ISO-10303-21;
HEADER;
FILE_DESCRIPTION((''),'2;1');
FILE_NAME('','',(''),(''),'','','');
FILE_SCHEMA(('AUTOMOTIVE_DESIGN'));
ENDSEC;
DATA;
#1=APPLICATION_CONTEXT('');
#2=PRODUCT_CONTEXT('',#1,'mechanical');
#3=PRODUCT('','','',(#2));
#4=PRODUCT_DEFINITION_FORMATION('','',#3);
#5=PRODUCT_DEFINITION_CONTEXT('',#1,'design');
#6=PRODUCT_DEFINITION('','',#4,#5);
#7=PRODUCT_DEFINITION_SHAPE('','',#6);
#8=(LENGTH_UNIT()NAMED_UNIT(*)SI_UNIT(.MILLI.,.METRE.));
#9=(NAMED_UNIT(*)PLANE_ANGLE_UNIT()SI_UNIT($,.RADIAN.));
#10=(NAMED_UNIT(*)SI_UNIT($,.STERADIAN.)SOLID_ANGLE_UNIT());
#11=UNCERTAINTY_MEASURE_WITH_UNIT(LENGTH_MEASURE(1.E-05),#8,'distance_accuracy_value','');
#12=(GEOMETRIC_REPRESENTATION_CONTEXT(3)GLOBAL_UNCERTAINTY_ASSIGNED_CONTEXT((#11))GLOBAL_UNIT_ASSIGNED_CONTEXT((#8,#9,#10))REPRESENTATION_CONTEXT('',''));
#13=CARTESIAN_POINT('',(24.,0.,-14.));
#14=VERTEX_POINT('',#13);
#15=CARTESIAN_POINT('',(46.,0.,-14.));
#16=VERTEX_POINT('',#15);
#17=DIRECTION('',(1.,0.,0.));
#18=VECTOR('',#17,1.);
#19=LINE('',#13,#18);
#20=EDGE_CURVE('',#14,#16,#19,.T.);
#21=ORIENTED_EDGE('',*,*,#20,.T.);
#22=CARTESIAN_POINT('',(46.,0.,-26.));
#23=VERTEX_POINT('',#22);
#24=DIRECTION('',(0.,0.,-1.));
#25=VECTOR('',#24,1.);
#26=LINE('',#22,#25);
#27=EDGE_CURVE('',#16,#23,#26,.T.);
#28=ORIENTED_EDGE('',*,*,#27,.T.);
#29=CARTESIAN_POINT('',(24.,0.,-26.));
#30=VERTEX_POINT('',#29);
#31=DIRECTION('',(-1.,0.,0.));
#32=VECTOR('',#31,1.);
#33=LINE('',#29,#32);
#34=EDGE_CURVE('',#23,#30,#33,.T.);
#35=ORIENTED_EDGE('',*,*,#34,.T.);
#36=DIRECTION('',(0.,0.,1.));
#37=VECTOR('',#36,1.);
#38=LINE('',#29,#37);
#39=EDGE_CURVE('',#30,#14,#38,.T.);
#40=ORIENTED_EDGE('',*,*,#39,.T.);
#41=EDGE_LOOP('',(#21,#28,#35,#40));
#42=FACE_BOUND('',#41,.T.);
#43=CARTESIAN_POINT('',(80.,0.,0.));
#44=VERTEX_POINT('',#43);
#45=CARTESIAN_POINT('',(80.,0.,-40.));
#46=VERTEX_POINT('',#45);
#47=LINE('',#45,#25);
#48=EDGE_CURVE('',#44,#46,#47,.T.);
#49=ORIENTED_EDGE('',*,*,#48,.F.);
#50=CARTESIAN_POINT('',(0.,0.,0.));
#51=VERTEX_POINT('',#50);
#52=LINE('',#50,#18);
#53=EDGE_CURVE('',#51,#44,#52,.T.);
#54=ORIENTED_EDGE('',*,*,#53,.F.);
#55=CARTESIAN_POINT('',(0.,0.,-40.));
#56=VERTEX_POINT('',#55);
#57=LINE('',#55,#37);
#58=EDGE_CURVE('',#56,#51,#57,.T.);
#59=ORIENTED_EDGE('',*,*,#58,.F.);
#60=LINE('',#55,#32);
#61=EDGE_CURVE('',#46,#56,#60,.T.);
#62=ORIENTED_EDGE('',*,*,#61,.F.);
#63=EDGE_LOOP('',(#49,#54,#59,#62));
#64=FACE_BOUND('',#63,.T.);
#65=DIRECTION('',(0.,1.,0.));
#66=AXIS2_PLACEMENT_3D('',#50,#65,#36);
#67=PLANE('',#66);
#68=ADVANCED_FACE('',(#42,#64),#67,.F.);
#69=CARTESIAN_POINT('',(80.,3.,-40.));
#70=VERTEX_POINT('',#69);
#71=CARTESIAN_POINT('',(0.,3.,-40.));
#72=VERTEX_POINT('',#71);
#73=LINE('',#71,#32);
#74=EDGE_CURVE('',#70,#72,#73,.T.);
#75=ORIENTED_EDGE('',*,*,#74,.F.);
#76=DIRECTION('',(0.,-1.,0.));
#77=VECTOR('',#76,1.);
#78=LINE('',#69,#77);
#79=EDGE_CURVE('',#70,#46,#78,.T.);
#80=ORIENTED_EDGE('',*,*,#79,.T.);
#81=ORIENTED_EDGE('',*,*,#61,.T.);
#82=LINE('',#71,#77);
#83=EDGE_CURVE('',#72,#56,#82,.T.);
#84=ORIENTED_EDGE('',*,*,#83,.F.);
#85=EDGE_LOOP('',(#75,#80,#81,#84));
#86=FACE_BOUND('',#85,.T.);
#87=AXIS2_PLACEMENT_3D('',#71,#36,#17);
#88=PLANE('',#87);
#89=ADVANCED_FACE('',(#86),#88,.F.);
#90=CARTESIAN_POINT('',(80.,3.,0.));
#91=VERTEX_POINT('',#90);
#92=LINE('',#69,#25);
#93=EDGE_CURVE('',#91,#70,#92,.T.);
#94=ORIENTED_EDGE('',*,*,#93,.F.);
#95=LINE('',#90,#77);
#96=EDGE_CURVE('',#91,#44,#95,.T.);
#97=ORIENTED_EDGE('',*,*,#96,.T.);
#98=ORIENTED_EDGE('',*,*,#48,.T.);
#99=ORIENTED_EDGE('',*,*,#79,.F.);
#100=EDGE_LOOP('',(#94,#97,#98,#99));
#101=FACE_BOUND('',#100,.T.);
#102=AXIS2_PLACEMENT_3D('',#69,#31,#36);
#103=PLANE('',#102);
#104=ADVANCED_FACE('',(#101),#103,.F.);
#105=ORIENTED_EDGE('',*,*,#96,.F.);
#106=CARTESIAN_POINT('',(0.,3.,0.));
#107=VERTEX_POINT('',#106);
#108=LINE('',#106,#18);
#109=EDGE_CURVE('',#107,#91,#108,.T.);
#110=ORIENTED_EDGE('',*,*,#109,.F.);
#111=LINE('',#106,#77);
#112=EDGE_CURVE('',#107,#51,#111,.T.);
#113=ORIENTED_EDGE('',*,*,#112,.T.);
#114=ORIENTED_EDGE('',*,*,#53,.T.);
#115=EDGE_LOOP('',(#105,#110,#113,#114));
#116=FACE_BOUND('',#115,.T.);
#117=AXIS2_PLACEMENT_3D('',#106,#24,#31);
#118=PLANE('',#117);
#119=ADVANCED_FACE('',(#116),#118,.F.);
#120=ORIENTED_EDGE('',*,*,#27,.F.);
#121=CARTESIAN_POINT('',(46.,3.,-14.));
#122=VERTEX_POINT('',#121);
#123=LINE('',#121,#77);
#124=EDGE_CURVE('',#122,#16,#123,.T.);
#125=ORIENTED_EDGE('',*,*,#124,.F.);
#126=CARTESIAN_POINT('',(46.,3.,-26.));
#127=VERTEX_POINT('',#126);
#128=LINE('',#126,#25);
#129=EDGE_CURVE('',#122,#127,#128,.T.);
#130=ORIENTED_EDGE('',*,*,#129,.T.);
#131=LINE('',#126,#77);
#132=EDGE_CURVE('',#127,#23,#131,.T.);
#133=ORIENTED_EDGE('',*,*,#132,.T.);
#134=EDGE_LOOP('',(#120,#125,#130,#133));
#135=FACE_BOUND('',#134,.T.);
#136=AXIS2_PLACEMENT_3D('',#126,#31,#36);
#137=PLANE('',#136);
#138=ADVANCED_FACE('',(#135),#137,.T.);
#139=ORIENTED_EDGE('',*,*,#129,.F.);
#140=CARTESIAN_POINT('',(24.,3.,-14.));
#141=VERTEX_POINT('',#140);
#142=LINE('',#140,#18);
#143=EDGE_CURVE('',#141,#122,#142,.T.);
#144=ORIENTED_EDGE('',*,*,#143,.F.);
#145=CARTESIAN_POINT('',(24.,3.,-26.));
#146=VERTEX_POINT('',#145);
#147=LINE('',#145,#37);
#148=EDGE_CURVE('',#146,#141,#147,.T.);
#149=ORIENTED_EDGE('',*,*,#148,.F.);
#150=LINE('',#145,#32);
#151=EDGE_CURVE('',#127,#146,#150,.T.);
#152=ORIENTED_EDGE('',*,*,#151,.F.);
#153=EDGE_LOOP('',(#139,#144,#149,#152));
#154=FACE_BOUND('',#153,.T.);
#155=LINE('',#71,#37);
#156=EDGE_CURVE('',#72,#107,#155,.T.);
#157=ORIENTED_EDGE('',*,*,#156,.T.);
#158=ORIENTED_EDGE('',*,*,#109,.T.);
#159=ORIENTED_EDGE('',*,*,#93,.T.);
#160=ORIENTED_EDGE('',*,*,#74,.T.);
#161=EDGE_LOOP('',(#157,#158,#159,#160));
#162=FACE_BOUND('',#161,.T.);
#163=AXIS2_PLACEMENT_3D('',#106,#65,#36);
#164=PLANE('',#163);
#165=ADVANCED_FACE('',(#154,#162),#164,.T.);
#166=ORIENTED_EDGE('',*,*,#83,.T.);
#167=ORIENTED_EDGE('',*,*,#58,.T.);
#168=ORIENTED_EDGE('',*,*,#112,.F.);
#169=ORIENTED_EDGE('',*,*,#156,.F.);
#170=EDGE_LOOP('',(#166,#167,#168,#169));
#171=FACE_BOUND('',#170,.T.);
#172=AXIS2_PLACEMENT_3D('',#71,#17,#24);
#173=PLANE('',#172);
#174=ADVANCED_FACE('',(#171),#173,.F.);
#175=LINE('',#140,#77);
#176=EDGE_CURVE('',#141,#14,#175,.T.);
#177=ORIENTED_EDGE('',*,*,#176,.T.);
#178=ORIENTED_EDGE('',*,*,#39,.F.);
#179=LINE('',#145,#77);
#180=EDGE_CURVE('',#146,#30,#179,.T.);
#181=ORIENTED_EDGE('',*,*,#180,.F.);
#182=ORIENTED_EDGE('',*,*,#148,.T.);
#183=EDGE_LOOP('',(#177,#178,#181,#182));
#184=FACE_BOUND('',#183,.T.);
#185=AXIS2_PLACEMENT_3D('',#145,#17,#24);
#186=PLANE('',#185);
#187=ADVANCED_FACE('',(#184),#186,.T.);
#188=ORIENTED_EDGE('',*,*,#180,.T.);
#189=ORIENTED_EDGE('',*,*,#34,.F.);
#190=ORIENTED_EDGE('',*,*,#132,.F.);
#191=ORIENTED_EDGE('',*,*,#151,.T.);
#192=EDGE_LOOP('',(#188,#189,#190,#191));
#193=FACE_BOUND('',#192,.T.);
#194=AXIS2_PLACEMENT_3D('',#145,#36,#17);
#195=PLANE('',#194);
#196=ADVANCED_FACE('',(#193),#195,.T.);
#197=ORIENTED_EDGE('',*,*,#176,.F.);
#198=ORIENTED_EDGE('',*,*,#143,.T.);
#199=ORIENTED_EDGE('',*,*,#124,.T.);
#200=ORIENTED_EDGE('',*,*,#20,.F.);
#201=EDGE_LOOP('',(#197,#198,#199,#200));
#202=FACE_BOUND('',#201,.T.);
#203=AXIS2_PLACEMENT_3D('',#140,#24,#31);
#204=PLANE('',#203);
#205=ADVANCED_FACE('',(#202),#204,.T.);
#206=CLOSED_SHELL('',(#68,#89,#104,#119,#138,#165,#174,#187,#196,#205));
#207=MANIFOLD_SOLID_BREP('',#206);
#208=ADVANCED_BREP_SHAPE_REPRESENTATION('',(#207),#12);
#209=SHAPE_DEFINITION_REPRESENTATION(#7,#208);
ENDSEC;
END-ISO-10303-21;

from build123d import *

# Parameters (mm, degrees)
SKETCH1_W           = 80
SKETCH1_H           = 40
SKETCH1_W_2         = 22
SKETCH1_H_2         = 12
BOSS_EXTRUDE1_DEPTH = 3


with BuildPart() as part:
    # Sketch1 → Boss-Extrude1 (new body)
    with BuildSketch(Plane(origin=(0, 0, 0), x_dir=(1, 0, 0), z_dir=(0, 1, 0))):
        with Locations((40, 20)):
            Rectangle(SKETCH1_W, SKETCH1_H)
        with Locations((35, 20)):
            Rectangle(SKETCH1_W_2, SKETCH1_H_2, mode=Mode.SUBTRACT)
    extrude(amount=BOSS_EXTRUDE1_DEPTH)


solid = part.part
